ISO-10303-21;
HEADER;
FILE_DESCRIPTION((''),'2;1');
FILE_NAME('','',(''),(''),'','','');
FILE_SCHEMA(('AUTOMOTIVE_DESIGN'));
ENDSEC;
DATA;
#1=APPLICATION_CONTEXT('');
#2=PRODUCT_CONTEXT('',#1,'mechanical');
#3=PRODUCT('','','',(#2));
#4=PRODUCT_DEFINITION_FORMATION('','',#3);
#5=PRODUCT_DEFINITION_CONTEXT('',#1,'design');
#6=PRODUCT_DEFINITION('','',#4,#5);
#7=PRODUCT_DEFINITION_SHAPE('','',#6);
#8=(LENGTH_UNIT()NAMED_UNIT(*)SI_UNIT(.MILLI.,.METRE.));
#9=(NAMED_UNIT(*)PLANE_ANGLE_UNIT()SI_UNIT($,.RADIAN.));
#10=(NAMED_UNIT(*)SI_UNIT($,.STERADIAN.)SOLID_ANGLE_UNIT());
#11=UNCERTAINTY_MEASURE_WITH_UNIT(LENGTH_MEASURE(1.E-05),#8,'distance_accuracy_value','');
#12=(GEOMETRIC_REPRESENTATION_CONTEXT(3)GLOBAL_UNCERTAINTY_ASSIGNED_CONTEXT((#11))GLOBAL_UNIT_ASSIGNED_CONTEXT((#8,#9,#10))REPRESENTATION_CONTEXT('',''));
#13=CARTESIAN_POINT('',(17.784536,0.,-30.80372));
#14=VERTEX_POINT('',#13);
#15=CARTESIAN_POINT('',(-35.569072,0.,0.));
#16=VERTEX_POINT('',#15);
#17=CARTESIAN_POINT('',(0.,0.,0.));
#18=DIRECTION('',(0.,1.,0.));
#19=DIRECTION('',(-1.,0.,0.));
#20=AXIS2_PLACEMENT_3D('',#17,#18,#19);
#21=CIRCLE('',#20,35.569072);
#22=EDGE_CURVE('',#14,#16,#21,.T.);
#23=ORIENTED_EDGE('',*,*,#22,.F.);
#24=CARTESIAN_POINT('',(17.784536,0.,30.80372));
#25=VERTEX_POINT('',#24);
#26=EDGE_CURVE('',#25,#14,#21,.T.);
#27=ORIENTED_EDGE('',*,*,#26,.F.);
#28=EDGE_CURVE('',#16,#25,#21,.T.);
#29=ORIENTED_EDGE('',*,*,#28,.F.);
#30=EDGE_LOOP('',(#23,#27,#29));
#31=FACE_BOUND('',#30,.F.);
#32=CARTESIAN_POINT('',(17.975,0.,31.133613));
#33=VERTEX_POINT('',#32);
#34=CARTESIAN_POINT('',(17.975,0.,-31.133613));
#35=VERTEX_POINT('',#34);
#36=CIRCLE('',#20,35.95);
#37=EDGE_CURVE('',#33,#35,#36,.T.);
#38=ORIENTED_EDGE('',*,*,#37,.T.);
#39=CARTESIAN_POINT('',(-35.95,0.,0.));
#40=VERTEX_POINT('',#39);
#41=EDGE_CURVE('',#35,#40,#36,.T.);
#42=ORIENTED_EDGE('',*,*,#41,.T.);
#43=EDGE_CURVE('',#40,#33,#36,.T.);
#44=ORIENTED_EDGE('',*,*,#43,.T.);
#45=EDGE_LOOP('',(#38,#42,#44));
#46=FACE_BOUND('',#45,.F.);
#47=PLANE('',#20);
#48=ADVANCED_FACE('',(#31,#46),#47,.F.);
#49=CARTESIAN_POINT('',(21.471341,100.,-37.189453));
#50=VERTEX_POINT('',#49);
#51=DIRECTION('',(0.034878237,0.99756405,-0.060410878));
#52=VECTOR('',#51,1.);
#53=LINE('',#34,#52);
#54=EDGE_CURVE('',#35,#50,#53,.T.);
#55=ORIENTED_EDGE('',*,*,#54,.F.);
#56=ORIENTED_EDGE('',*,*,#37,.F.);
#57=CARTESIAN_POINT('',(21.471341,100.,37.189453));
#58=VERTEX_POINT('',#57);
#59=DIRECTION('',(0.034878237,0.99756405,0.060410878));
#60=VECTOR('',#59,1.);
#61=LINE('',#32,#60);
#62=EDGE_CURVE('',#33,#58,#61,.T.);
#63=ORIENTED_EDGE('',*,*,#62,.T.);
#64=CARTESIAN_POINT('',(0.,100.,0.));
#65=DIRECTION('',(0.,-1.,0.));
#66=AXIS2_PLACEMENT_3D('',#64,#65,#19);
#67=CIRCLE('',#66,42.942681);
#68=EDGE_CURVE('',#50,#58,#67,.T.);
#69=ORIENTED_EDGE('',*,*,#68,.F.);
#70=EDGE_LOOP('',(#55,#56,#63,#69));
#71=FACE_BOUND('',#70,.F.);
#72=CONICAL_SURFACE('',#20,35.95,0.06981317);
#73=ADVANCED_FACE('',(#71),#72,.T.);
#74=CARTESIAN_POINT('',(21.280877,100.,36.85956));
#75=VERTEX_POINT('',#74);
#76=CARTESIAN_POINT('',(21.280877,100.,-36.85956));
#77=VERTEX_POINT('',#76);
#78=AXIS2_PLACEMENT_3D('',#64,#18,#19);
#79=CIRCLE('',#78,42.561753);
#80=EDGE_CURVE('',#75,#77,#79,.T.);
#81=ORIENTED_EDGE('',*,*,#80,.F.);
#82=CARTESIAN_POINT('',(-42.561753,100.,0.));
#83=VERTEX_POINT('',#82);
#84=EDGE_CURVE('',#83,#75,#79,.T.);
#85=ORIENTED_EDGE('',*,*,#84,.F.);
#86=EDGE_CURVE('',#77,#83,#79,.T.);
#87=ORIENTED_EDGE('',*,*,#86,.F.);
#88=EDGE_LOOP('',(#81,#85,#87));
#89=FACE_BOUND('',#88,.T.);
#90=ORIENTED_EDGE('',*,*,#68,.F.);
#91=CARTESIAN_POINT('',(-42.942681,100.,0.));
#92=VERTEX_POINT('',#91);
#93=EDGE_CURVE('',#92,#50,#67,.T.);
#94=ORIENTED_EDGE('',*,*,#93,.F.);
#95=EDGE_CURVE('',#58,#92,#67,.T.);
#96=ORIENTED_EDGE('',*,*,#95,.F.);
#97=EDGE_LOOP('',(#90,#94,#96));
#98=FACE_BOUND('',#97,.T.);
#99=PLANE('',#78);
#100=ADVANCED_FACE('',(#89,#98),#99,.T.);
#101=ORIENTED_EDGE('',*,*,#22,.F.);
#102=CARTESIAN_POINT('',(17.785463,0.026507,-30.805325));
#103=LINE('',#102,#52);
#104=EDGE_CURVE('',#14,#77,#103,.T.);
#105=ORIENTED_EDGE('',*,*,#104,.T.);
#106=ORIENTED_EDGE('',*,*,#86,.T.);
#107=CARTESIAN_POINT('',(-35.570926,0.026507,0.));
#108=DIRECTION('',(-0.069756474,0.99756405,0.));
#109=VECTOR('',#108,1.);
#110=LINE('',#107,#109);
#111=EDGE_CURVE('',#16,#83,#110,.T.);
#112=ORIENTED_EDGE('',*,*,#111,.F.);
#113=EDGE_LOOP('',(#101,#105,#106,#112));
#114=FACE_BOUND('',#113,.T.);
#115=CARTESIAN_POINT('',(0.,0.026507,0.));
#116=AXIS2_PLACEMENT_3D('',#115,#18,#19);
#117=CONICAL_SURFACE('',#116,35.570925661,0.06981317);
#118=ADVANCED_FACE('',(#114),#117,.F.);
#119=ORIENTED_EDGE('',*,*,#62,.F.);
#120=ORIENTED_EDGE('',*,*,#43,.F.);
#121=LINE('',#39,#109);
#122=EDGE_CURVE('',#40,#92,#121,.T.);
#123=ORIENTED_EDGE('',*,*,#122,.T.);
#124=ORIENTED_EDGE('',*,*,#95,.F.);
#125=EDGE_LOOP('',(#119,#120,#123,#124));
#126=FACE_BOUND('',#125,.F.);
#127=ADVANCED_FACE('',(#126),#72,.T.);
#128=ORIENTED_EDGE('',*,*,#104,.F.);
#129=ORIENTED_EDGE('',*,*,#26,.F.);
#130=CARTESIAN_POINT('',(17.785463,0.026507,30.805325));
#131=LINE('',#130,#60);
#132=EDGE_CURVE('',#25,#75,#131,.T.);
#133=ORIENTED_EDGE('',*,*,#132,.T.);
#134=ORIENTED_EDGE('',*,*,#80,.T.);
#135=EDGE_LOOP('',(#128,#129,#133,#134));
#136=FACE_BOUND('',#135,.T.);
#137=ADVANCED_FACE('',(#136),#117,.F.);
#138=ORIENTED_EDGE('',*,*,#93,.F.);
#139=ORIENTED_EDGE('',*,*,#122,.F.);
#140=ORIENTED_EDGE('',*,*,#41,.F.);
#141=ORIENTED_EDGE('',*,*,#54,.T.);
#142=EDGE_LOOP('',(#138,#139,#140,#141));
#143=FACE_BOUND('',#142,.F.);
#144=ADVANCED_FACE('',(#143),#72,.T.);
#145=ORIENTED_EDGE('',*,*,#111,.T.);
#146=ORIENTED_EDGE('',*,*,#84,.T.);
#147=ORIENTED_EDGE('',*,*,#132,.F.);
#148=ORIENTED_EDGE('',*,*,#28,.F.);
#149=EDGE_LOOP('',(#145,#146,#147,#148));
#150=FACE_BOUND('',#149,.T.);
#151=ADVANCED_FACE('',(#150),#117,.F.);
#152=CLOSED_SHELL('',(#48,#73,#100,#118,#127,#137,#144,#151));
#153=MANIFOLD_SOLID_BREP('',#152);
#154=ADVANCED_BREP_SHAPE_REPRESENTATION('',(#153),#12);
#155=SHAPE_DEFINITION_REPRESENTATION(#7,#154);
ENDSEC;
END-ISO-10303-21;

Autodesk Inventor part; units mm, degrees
ref_plane "YZ Plane" through (0, 0, 0) normal (1, 0, 0) x (0, 1, 0)
ref_plane "XZ Plane" through (0, 0, 0) normal (0, 1, 0) x (-1, 0, 0)
ref_plane "XY Plane" through (0, 0, 0) normal (0, 0, 1) x (1, 0, 0)
sketch "Sketch1" plane through (0, 0, 0) normal (0, 1, 0) x (-1, 0, 0)
  circle A0 centre (0, 0) radius 35.95
  dimension "d0" = 71.9
extrude "Extrusion1" add sketch "Sketch1" along normal blind 100 draft 4
shell "Shell1" thickness 0.38 removed faces 2 at (-10.875, 0, 11.4799) at (5.3481, 100, -16.4597)
properties part number "D"
